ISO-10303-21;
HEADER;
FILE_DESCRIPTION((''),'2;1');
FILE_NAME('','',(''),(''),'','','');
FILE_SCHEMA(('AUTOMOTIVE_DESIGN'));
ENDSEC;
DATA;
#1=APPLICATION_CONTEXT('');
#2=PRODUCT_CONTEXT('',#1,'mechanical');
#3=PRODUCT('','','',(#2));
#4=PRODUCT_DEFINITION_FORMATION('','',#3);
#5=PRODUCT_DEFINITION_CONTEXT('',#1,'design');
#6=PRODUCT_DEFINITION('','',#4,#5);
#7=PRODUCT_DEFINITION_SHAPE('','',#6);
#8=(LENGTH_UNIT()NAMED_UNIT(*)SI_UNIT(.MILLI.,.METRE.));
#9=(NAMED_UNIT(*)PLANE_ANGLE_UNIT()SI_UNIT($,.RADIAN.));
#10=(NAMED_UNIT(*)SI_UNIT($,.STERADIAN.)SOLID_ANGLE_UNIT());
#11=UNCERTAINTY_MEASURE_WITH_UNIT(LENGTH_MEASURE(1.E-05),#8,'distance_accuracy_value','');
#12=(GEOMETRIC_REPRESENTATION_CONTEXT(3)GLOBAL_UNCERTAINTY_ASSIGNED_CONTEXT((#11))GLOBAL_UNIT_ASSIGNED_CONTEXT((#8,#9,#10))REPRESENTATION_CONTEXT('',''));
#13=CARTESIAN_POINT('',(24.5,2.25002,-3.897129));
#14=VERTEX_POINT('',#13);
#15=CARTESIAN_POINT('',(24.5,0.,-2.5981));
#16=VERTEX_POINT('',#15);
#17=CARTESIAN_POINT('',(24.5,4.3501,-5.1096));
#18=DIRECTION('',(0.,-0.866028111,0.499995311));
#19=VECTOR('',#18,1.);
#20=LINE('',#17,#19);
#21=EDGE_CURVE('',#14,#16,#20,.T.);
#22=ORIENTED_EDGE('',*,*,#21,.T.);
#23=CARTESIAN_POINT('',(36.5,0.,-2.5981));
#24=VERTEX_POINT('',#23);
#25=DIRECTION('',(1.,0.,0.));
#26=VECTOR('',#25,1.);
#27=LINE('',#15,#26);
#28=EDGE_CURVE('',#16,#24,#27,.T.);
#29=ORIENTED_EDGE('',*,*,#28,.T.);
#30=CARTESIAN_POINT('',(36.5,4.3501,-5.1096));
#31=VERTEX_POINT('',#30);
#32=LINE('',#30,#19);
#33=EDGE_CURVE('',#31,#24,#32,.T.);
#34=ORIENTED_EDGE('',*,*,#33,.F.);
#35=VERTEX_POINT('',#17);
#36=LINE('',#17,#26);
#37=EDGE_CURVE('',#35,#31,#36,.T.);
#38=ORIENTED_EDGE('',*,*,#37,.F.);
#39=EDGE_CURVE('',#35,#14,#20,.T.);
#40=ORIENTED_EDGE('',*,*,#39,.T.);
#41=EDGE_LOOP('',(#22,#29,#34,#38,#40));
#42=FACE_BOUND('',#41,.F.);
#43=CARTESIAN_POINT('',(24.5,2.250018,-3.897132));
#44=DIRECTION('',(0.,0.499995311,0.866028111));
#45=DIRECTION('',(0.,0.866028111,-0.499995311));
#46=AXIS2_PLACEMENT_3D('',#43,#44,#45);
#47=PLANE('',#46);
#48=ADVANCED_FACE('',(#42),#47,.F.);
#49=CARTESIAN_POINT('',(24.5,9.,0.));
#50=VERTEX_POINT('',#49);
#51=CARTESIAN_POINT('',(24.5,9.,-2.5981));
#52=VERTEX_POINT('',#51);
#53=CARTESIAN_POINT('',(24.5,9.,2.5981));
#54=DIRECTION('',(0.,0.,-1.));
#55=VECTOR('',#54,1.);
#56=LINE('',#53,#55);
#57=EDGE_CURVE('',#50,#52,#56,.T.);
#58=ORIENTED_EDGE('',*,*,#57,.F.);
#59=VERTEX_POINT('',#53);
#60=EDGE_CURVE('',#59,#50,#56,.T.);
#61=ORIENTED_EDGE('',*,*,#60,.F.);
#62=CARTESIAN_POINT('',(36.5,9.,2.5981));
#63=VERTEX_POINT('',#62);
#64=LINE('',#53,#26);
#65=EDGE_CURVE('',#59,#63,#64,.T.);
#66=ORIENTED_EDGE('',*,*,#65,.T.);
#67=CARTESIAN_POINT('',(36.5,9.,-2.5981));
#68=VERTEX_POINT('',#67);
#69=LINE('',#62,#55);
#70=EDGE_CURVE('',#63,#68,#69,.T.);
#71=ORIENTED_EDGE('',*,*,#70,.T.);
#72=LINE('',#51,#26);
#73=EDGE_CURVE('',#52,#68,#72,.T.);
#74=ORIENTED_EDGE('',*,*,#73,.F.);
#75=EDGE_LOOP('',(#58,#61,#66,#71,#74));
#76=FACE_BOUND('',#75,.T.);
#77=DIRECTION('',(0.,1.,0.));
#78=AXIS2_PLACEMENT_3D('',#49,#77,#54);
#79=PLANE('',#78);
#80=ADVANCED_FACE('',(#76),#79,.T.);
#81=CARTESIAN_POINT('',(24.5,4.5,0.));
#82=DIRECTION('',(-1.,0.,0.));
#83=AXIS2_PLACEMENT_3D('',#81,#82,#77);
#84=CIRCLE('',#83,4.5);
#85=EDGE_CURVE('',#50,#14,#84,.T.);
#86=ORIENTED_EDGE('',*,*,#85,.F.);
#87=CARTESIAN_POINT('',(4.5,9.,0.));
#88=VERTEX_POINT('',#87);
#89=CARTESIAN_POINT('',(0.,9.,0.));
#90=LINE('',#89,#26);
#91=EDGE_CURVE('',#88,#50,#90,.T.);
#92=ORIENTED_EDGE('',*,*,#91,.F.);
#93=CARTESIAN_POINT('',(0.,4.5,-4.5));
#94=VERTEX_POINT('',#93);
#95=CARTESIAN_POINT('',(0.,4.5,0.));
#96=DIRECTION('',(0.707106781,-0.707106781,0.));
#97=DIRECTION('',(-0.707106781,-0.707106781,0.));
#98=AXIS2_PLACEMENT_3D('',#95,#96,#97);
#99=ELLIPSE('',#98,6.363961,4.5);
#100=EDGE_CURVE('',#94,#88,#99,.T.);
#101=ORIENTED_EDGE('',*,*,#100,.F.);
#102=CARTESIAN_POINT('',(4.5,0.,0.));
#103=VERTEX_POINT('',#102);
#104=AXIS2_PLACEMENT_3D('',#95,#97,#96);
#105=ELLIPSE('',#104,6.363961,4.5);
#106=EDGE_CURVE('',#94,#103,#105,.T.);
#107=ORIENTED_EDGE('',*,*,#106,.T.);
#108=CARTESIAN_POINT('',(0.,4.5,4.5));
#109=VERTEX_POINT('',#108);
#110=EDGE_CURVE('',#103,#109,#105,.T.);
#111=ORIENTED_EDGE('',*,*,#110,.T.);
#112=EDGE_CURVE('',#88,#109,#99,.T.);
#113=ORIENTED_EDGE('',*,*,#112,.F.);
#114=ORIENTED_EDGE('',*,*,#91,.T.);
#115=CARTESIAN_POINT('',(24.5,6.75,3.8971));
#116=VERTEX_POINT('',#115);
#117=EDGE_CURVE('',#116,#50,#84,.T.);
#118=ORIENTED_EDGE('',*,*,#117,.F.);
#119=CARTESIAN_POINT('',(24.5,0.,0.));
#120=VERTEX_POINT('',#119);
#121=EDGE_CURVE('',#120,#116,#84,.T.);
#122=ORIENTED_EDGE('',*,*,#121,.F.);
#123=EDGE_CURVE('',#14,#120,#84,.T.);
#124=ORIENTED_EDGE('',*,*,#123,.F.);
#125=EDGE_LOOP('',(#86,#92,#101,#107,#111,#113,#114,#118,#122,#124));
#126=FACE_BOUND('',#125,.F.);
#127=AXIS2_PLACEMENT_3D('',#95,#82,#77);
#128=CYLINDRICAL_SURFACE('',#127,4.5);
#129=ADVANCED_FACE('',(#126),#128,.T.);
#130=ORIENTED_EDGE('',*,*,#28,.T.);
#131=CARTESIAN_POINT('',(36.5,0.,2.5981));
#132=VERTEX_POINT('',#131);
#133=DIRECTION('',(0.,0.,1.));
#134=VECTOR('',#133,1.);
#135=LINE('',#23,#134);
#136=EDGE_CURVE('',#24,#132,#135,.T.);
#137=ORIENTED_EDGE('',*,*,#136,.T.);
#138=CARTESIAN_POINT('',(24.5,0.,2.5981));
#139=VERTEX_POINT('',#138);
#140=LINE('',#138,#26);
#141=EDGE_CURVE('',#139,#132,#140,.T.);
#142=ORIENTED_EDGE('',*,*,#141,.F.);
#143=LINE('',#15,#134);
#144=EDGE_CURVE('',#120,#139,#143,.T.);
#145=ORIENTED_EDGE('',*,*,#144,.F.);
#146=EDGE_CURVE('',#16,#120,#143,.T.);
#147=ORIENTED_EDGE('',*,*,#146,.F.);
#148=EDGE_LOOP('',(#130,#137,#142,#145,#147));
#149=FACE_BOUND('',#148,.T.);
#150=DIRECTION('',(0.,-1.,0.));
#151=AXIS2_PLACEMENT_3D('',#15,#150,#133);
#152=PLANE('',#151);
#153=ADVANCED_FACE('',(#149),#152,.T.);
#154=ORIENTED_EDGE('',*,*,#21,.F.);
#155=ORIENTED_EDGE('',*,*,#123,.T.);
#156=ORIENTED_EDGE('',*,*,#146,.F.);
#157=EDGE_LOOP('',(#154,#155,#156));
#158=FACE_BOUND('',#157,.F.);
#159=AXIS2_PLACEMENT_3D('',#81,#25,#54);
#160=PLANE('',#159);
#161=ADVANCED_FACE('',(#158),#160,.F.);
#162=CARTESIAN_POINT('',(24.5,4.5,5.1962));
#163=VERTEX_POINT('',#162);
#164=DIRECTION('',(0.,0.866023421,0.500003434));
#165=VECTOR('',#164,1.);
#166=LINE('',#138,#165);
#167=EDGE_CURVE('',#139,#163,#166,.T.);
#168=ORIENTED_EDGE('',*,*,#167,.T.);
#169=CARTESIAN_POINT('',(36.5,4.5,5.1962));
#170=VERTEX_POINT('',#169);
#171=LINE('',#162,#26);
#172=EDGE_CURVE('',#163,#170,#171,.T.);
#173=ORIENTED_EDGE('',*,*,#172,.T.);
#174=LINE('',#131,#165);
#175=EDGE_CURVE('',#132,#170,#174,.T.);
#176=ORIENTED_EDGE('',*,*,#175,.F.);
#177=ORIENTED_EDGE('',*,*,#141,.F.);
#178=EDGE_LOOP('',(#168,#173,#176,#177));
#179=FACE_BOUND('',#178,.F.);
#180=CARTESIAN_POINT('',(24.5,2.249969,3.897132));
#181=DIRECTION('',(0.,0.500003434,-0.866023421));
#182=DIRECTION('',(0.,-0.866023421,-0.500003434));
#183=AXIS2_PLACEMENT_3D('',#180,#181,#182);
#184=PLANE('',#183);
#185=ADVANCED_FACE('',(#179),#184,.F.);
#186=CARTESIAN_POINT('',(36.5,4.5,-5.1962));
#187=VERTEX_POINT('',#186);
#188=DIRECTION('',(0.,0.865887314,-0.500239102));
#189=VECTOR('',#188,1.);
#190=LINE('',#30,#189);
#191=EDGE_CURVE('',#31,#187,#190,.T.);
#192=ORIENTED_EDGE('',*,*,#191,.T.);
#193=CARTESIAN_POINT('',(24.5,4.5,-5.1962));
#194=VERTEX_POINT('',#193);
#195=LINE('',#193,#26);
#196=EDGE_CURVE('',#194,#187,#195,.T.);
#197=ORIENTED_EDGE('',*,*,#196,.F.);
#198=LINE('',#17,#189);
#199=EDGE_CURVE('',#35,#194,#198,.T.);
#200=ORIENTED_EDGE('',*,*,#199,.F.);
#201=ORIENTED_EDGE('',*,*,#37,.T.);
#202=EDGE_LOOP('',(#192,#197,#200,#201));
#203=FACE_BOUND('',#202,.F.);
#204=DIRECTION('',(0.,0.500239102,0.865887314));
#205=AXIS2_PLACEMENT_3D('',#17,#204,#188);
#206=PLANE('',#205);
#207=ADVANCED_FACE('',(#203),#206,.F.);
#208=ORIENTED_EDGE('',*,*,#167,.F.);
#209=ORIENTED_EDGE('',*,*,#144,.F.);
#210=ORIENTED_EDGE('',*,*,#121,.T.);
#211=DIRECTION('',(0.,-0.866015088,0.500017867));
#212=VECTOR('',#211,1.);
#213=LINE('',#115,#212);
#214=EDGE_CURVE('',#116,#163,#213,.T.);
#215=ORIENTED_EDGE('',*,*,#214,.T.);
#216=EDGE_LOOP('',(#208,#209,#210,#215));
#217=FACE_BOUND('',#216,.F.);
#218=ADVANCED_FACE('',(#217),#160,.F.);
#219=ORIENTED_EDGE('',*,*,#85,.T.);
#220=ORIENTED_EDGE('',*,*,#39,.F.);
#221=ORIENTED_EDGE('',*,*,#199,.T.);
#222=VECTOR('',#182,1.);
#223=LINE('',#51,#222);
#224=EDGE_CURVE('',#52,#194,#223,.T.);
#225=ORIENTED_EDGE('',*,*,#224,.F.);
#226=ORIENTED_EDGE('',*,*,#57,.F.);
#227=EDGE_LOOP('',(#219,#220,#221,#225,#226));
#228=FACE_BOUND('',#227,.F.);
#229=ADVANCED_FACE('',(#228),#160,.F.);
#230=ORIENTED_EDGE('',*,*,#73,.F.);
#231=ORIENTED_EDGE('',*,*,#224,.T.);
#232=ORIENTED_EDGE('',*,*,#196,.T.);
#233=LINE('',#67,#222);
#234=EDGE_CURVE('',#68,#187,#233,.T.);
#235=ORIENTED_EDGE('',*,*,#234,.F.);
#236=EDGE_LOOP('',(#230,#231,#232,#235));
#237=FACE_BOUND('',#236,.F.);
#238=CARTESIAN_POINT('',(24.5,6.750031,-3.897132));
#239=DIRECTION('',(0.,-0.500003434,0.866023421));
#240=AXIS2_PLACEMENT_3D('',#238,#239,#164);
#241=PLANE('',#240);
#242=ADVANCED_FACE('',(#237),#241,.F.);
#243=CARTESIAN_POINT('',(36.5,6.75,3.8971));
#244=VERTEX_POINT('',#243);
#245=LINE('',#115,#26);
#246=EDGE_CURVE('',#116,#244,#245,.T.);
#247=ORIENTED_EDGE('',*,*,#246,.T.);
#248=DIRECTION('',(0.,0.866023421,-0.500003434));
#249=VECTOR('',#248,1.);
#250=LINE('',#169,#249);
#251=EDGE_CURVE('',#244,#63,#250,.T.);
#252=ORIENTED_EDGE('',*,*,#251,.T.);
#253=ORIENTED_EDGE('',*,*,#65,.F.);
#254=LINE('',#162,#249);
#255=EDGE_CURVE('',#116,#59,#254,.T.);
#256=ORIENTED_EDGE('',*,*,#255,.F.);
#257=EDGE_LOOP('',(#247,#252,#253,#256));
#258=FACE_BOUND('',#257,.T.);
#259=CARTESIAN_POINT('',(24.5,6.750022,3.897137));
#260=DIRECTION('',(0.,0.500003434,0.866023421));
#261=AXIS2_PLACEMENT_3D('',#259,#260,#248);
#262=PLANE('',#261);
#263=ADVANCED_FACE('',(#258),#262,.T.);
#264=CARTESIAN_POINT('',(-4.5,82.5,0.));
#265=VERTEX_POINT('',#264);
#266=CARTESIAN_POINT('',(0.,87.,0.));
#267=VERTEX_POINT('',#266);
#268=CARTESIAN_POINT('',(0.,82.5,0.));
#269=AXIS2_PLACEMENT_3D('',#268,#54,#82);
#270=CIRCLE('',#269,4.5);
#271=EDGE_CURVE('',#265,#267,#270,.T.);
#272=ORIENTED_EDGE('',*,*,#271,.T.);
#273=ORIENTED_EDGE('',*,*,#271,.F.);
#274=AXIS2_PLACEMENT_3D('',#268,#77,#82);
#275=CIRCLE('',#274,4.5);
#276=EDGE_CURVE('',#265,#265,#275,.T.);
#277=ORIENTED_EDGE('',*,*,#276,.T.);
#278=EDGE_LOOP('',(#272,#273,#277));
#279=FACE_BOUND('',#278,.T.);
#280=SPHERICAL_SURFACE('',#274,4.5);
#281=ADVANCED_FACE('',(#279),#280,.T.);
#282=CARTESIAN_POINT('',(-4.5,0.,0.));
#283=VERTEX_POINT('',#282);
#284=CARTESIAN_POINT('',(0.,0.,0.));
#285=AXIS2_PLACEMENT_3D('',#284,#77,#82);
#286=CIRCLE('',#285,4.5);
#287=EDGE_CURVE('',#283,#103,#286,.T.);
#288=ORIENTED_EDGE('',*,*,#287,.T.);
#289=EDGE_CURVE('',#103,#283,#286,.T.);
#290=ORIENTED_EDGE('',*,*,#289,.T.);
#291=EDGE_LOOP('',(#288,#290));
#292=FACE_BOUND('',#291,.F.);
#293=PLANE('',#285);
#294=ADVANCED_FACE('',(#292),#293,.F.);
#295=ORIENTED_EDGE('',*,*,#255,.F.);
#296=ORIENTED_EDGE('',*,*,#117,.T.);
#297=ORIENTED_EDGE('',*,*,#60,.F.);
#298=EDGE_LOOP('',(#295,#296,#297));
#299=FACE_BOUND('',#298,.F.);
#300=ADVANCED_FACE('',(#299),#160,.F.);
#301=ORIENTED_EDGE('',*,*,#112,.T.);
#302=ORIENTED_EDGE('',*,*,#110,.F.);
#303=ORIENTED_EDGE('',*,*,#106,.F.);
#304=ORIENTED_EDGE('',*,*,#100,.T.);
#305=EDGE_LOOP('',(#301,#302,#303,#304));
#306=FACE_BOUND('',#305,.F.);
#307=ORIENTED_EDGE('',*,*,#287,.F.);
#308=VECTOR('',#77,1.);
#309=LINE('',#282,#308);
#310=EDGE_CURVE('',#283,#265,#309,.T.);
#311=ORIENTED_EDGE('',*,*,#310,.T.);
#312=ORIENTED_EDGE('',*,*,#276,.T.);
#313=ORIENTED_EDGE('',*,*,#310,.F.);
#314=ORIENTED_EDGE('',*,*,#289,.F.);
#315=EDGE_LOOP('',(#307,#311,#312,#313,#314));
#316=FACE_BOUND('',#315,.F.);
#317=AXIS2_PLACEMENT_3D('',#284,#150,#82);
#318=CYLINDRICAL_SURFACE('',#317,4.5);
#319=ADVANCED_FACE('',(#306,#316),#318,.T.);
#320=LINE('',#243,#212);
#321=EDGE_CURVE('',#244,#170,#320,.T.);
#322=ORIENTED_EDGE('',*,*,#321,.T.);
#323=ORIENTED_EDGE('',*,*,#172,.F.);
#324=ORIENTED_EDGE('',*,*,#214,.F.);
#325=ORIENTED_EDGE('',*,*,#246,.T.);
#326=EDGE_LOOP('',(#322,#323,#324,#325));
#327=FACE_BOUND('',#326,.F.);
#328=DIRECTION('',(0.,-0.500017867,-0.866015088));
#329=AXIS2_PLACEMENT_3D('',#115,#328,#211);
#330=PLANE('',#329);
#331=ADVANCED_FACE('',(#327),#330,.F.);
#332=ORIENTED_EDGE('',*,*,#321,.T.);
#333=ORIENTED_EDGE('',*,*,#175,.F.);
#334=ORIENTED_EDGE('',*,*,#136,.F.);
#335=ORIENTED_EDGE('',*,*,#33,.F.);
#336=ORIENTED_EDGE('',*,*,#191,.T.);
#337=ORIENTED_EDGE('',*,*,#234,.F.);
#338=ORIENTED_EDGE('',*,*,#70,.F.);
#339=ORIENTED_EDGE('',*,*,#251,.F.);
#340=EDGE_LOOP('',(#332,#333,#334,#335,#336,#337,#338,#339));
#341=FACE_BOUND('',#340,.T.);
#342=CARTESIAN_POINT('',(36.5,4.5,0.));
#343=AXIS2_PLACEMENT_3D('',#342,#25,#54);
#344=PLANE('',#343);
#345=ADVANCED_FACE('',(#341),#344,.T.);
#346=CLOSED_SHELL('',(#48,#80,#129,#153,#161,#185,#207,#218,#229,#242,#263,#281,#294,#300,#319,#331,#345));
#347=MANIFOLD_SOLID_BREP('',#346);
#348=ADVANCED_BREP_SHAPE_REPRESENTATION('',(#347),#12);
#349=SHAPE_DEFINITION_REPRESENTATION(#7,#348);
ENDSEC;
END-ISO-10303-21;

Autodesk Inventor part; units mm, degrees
ref_plane "YZ Plane" through (0, 0, 0) normal (1, 0, 0) x (0, 1, 0)
ref_plane "XZ Plane" through (0, 0, 0) normal (0, 1, 0) x (-1, 0, 0)
ref_plane "XY Plane" through (0, 0, 0) normal (0, 0, 1) x (1, 0, 0)
sketch "Boceto1" plane through (0, 0, 0) normal (0, 1, 0) x (-1, 0, 0)
  circle A0 centre (0, 0) radius 4.5
  dimension "d0" = 9
extrude "Extrusión1" add sketch "Boceto1" along normal blind 87
fillet "Empalme1" radius 4.5 1 edges at (4.5, 87, 0)
sketch "Boceto2" plane through (0, 0, 0) normal (0, -1, 0) x (1, 0, 0)
  circle A0 centre (0, 0) radius 4.5 projected
  circle A1 centre (0, 0) radius 4.5 projected
  line L0 (3.8723, -2.2357) -> (3.8971, -2.25)
  line L1 (0, 0) -> (5.1962, 0) construction
  line L2 (4.5, -2.5981) -> (4.5, 2.5981)
  line L3 (0, 0) -> (5.1962, 0) construction
  line L4 (4.5, 2.5981) -> (0, 5.1958)
  line L5 (0, 5.1958) -> (-4.5, 2.5981)
  line L6 (-4.5, 2.5981) -> (-4.5409, -2.5978)
  line L7 (-4.5409, -2.5978) -> (-0.0409, -5.1955)
  line L8 (-0.0409, -5.1955) -> (4.5, -2.5981)
  dimension "d9" = 30
  dimension "d11" = 5.196
  dimension "d12" = 5.196
  dimension "d13" = 5.196
  dimension "d14" = 5.196
extrude "Extrusión2" [suppressed]
ref_plane "Plano de trabajo1" through (-2.2861, 0, 1.3081) normal (-0.5, 0, -0.8661) x (-0.8661, 0, 0.5)
ref_plane "Plano de trabajo2" through (4.5, 0, -2.5981) normal (0.5, 0, 0.866) x (0, 1, 0)
sketch "Boceto4" plane through (0, 0, 0) normal (1, 0, 0) x (0, 1, 0)
  circle A0 centre (4.5, 0) radius 4.5
  line L0 (0, -4.5) -> (0, 4.5) projected
  line L1 (0, 4.5) -> (82.5, 4.5) projected
  point P0 (0, 0)
  dimension "d18" = 9
  dimension "d19" = 4.5
  dimension "d20" = 4.5
extrude "Extrusión3" add sketch "Boceto4" along normal blind 24.5 contours A0
sketch "Boceto5" plane through (24.5, 4.5, 0) normal (1, 0, 0) x (0, 0, -1)
  circle A0 centre (0, 0) radius 4.5 projected
  circle A1 centre (0, 0) radius 4.5
  line L0 (0, 4.5) -> (-2.5981, 4.5)
  line L1 (-2.5981, 4.5) -> (2.5981, 4.5)
  line L2 (0, 4.5) -> (2.5981, 4.5) construction
  line L3 (0, 0) -> (5.9241, 0) construction
  line L4 (0, 0) -> (-9, 0)
  line L5 (0, 0) -> (6.2143, 0) construction
  line L6 (-3.8971, 2.25) -> (-5.1962, 0)
  line L7 (-5.1962, 0) -> (-2.5981, 4.5)
  line L8 (-5.1962, 0) -> (-2.5981, -4.5)
  line L9 (-5.1962, 0) -> (2.2031, 0) construction
  line L10 (4.5, -4.5) -> (-4.5, -4.5) projected
  line L11 (0, -4.5) -> (-2.5981, -4.5)
  line L12 (-4.5, -4.5) -> (2.5981, -4.5)
  line L13 (0, -4.5) -> (2.5981, -4.5)
  line L14 (2.5981, -4.5) -> (5.1096, -0.1499)
  line L15 (5.1096, -0.1499) -> (5.1962, 0)
  line L16 (5.1962, 0) -> (2.5981, 4.5)
  line L17 (5.1962, 0) -> (10.3923, 0) construction
  line L18 (-2.5981, -4.5) -> (-5.1962, 0)
  line L19 (-2.5981, 4.5) -> (2.5981, 4.5)
  dimension "d26" = 60
  dimension "Q" = 2.5981
  dimension "d28" = 2.5981
  dimension "d29" = 120
extrude "Extrusión4" add sketch "Boceto5" along normal blind 12
equation "\"d28\" = Q"
properties part number "antena"
